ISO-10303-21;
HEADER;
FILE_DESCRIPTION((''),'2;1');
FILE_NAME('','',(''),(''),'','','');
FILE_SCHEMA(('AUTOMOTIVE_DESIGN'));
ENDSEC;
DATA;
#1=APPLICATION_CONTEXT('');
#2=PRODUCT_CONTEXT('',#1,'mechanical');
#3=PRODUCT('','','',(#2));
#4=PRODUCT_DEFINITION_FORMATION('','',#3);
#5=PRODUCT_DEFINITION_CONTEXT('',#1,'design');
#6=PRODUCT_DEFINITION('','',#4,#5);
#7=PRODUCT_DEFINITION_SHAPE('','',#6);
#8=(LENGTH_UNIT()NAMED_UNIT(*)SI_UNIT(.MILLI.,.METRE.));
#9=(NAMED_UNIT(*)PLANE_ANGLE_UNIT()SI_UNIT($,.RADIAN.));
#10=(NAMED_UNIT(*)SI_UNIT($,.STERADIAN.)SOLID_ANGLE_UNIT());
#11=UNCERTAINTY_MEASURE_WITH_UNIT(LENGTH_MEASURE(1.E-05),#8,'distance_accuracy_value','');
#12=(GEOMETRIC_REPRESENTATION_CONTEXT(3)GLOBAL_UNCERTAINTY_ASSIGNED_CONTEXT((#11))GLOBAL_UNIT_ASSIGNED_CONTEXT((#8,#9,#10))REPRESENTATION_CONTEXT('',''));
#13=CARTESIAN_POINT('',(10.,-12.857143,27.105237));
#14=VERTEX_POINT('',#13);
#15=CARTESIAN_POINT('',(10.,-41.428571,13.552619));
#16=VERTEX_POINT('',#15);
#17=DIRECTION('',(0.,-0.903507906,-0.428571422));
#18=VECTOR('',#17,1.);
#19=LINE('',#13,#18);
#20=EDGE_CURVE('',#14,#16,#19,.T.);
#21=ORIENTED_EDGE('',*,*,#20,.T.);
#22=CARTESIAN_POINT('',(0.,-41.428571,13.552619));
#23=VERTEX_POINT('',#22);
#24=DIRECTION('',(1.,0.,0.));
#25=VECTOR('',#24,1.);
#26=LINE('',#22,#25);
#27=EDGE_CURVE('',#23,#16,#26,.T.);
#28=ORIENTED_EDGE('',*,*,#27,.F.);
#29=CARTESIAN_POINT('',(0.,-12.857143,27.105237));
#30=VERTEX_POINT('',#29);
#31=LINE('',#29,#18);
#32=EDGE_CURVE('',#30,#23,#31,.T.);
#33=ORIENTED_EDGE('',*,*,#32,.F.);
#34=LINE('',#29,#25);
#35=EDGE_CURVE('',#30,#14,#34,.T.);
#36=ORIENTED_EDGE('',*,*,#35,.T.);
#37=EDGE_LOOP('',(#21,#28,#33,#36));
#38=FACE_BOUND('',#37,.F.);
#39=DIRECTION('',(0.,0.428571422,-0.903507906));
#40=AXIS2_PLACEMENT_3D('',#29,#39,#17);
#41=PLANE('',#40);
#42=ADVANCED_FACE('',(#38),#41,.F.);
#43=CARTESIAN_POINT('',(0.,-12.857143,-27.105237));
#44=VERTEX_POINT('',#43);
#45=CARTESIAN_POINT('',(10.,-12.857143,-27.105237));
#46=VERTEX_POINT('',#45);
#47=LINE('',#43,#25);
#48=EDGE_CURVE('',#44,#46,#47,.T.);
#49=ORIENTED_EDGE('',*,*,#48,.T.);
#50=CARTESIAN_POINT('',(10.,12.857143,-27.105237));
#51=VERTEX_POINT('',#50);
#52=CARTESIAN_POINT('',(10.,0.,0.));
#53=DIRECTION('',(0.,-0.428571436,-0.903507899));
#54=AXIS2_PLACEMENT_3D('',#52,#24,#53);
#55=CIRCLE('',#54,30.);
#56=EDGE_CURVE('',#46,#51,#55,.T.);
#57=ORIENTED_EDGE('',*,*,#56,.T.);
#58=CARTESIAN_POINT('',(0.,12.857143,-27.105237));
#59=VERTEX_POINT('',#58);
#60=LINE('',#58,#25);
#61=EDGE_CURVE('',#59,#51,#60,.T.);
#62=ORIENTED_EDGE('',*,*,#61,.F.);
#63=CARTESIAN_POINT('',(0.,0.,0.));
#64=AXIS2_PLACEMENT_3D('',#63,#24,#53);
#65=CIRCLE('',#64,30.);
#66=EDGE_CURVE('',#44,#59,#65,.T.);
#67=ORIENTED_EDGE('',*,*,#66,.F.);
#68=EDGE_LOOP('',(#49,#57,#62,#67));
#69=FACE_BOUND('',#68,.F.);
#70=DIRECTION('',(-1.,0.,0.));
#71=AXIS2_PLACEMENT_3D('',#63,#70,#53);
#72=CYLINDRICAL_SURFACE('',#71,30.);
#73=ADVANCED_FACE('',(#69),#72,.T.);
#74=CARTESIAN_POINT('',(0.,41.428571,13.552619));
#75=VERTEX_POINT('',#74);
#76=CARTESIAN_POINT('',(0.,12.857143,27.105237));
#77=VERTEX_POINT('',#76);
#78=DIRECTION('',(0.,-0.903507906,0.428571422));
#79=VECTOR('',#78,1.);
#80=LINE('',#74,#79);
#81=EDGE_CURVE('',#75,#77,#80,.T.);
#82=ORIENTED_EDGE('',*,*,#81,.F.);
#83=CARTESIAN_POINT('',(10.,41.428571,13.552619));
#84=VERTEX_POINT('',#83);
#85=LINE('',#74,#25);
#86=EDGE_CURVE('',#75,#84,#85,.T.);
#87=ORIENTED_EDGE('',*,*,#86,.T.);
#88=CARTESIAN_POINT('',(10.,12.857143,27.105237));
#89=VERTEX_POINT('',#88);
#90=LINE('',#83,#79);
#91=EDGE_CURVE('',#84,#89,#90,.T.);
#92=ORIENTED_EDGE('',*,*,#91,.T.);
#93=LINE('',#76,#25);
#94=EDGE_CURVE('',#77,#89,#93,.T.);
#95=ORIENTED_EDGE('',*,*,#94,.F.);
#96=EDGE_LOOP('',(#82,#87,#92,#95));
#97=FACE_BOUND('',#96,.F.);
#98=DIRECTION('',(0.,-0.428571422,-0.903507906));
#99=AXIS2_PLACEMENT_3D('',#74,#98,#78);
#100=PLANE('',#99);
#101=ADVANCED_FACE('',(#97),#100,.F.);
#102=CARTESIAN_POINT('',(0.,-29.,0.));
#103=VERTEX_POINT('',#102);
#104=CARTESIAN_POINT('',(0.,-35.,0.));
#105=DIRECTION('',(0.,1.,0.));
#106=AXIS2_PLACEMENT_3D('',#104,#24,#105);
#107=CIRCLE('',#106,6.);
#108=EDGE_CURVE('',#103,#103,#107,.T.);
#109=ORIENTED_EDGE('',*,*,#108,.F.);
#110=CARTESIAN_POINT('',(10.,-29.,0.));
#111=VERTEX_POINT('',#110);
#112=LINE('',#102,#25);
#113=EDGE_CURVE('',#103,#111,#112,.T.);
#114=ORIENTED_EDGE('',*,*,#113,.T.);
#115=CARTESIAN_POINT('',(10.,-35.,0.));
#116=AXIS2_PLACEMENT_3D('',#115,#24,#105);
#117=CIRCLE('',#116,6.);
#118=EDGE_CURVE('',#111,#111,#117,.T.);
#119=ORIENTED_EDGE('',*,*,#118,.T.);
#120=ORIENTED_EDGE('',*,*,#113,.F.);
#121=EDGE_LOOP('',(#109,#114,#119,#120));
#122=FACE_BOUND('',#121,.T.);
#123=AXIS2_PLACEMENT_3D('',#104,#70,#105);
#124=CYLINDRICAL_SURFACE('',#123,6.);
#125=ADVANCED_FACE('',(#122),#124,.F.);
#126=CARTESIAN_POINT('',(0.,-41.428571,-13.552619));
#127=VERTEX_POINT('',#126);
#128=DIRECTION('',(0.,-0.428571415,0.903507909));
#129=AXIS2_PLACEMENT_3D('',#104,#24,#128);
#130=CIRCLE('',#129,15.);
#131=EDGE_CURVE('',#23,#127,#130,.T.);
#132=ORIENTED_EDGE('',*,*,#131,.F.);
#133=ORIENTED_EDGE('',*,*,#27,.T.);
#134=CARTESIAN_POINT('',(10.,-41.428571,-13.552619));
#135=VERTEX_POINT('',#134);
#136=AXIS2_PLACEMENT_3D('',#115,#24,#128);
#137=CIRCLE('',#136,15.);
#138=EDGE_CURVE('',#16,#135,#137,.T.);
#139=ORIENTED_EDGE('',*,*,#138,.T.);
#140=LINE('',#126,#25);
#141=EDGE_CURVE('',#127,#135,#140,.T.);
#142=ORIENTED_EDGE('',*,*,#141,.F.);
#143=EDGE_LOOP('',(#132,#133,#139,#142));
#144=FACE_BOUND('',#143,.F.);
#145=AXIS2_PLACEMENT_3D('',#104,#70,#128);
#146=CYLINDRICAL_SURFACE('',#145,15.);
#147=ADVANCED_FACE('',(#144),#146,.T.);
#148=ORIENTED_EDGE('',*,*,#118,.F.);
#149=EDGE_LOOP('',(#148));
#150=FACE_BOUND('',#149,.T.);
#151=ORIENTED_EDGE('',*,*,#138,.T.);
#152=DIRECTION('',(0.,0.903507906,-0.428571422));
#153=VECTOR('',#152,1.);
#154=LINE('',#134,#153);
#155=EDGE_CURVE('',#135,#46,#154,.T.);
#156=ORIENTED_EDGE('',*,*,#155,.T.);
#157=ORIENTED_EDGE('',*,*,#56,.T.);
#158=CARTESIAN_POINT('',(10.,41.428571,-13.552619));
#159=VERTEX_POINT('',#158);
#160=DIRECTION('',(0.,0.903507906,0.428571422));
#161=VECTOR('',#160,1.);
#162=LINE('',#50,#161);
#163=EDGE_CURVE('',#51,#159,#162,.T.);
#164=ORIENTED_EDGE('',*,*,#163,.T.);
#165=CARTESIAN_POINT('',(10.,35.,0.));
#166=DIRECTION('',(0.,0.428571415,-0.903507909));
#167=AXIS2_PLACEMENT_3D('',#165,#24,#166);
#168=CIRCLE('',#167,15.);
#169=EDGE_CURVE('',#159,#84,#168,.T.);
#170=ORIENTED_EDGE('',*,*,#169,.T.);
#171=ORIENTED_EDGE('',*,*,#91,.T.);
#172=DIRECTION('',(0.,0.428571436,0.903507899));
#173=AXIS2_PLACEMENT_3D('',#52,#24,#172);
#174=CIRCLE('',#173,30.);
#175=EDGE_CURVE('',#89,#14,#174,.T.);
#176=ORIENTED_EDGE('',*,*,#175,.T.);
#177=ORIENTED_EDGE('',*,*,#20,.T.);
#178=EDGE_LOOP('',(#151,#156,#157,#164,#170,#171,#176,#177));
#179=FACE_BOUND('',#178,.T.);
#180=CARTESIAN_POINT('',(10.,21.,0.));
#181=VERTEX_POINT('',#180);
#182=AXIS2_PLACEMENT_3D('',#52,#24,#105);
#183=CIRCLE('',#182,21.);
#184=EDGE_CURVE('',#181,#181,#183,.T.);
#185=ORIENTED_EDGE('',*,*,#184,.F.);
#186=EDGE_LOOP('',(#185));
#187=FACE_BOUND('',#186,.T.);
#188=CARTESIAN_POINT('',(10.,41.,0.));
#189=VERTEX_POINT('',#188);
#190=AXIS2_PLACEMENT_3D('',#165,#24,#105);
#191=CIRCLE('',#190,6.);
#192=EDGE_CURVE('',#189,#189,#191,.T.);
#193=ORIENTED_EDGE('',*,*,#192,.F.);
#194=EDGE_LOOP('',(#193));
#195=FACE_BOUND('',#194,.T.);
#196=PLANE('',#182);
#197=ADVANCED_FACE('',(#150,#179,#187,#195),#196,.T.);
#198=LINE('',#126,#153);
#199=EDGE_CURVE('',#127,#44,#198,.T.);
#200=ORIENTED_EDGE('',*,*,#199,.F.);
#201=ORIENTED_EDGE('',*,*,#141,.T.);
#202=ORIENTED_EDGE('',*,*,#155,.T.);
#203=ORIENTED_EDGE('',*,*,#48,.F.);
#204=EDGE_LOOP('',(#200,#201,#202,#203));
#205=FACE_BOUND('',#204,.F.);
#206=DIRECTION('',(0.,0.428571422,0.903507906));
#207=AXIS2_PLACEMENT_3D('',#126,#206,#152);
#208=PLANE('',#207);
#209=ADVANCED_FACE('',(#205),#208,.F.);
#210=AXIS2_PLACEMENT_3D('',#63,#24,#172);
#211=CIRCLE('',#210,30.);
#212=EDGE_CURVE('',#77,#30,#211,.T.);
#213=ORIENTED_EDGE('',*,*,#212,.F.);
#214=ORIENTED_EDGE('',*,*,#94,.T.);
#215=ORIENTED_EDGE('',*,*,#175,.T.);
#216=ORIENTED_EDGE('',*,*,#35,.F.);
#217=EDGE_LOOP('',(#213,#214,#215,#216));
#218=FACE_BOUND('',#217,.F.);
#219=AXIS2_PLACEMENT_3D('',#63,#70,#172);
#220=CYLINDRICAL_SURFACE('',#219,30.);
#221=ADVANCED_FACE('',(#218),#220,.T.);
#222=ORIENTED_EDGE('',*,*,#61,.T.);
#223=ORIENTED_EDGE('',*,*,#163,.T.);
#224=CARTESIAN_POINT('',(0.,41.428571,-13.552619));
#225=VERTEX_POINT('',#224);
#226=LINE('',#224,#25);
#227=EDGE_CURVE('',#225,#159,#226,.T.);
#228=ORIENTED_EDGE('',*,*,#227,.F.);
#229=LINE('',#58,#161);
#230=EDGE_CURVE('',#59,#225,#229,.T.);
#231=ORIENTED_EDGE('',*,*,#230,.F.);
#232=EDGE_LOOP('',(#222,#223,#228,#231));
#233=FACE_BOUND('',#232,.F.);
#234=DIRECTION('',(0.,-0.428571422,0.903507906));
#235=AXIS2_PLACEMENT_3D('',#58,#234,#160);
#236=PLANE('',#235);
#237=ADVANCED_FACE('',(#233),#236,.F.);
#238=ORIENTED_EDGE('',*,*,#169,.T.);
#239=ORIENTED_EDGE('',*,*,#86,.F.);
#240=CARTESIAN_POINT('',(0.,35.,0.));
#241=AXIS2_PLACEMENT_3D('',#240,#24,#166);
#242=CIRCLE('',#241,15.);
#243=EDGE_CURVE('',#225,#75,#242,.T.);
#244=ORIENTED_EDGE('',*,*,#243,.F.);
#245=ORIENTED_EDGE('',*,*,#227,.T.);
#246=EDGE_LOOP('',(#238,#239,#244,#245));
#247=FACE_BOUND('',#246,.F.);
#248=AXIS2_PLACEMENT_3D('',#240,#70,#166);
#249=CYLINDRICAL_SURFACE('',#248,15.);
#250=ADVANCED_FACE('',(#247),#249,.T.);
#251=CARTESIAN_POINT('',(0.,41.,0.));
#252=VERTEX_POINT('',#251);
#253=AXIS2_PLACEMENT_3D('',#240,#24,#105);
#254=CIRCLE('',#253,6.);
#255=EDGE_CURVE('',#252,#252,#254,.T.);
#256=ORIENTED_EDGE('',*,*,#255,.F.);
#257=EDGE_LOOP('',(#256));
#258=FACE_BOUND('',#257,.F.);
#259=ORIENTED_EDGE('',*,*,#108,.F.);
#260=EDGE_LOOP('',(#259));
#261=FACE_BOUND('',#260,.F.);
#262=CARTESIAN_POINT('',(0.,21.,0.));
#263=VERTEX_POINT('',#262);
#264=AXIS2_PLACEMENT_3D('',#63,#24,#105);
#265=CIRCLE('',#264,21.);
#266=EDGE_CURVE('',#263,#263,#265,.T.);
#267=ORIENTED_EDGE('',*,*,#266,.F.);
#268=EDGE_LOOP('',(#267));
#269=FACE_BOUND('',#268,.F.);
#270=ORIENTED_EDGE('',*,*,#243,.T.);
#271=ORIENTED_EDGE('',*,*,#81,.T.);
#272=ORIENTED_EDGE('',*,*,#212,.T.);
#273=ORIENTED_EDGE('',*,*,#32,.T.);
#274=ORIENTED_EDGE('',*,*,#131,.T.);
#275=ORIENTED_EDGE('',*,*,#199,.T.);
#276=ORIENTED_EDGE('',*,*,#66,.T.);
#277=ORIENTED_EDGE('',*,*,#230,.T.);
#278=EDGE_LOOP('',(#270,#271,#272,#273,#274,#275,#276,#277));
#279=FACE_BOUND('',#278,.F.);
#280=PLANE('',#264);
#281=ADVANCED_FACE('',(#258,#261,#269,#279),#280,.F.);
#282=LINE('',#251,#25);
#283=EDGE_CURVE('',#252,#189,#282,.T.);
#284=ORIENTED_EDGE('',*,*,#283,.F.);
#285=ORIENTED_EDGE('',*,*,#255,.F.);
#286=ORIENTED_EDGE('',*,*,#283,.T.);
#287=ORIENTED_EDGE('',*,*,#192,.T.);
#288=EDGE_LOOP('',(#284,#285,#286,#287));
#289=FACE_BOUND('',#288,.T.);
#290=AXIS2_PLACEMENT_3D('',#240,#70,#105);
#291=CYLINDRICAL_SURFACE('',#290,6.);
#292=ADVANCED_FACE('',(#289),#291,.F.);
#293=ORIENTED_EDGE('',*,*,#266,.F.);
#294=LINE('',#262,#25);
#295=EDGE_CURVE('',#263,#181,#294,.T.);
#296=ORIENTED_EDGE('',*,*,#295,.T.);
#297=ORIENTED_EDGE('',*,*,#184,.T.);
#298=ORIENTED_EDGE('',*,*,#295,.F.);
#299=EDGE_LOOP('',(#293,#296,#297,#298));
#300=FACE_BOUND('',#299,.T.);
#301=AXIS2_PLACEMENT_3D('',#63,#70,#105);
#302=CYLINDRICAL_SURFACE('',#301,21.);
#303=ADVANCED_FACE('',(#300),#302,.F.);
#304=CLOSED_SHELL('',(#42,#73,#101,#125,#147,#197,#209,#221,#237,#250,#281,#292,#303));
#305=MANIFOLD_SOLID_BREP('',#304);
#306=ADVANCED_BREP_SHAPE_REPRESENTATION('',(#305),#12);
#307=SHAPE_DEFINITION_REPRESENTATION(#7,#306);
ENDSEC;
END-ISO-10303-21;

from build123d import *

# Parameters (mm, degrees)
F0_R     = 6
F0_R_2   = 21
F1_DEPTH = 10


with BuildPart() as f1:
    # F0 (on Right) → F1 (new body)
    with BuildSketch(Plane.YZ):
        with BuildLine():
            Line((-41.428571, -13.552619), (-12.857143, -27.105237))
            ThreePointArc((-12.857143, -27.105237), (0, -30), (12.857143, -27.105237))
            Line((12.857143, -27.105237), (41.428571, -13.552619))
            ThreePointArc((41.428571, -13.552619), (50, 0), (41.428571, 13.552619))
            Line((41.428571, 13.552619), (12.857143, 27.105237))
            ThreePointArc((12.857143, 27.105237), (0, 30), (-12.857143, 27.105237))
            Line((-12.857143, 27.105237), (-41.428571, 13.552619))
            ThreePointArc((-41.428571, 13.552619), (-50, 0), (-41.428571, -13.552619))
        make_face()
        with Locations((-35, 0)):
            Circle(F0_R, mode=Mode.SUBTRACT)
        Circle(F0_R_2, mode=Mode.SUBTRACT)
        with Locations((35, 0)):
            Circle(F0_R, mode=Mode.SUBTRACT)
    extrude(amount=F1_DEPTH)


solid = f1.part
